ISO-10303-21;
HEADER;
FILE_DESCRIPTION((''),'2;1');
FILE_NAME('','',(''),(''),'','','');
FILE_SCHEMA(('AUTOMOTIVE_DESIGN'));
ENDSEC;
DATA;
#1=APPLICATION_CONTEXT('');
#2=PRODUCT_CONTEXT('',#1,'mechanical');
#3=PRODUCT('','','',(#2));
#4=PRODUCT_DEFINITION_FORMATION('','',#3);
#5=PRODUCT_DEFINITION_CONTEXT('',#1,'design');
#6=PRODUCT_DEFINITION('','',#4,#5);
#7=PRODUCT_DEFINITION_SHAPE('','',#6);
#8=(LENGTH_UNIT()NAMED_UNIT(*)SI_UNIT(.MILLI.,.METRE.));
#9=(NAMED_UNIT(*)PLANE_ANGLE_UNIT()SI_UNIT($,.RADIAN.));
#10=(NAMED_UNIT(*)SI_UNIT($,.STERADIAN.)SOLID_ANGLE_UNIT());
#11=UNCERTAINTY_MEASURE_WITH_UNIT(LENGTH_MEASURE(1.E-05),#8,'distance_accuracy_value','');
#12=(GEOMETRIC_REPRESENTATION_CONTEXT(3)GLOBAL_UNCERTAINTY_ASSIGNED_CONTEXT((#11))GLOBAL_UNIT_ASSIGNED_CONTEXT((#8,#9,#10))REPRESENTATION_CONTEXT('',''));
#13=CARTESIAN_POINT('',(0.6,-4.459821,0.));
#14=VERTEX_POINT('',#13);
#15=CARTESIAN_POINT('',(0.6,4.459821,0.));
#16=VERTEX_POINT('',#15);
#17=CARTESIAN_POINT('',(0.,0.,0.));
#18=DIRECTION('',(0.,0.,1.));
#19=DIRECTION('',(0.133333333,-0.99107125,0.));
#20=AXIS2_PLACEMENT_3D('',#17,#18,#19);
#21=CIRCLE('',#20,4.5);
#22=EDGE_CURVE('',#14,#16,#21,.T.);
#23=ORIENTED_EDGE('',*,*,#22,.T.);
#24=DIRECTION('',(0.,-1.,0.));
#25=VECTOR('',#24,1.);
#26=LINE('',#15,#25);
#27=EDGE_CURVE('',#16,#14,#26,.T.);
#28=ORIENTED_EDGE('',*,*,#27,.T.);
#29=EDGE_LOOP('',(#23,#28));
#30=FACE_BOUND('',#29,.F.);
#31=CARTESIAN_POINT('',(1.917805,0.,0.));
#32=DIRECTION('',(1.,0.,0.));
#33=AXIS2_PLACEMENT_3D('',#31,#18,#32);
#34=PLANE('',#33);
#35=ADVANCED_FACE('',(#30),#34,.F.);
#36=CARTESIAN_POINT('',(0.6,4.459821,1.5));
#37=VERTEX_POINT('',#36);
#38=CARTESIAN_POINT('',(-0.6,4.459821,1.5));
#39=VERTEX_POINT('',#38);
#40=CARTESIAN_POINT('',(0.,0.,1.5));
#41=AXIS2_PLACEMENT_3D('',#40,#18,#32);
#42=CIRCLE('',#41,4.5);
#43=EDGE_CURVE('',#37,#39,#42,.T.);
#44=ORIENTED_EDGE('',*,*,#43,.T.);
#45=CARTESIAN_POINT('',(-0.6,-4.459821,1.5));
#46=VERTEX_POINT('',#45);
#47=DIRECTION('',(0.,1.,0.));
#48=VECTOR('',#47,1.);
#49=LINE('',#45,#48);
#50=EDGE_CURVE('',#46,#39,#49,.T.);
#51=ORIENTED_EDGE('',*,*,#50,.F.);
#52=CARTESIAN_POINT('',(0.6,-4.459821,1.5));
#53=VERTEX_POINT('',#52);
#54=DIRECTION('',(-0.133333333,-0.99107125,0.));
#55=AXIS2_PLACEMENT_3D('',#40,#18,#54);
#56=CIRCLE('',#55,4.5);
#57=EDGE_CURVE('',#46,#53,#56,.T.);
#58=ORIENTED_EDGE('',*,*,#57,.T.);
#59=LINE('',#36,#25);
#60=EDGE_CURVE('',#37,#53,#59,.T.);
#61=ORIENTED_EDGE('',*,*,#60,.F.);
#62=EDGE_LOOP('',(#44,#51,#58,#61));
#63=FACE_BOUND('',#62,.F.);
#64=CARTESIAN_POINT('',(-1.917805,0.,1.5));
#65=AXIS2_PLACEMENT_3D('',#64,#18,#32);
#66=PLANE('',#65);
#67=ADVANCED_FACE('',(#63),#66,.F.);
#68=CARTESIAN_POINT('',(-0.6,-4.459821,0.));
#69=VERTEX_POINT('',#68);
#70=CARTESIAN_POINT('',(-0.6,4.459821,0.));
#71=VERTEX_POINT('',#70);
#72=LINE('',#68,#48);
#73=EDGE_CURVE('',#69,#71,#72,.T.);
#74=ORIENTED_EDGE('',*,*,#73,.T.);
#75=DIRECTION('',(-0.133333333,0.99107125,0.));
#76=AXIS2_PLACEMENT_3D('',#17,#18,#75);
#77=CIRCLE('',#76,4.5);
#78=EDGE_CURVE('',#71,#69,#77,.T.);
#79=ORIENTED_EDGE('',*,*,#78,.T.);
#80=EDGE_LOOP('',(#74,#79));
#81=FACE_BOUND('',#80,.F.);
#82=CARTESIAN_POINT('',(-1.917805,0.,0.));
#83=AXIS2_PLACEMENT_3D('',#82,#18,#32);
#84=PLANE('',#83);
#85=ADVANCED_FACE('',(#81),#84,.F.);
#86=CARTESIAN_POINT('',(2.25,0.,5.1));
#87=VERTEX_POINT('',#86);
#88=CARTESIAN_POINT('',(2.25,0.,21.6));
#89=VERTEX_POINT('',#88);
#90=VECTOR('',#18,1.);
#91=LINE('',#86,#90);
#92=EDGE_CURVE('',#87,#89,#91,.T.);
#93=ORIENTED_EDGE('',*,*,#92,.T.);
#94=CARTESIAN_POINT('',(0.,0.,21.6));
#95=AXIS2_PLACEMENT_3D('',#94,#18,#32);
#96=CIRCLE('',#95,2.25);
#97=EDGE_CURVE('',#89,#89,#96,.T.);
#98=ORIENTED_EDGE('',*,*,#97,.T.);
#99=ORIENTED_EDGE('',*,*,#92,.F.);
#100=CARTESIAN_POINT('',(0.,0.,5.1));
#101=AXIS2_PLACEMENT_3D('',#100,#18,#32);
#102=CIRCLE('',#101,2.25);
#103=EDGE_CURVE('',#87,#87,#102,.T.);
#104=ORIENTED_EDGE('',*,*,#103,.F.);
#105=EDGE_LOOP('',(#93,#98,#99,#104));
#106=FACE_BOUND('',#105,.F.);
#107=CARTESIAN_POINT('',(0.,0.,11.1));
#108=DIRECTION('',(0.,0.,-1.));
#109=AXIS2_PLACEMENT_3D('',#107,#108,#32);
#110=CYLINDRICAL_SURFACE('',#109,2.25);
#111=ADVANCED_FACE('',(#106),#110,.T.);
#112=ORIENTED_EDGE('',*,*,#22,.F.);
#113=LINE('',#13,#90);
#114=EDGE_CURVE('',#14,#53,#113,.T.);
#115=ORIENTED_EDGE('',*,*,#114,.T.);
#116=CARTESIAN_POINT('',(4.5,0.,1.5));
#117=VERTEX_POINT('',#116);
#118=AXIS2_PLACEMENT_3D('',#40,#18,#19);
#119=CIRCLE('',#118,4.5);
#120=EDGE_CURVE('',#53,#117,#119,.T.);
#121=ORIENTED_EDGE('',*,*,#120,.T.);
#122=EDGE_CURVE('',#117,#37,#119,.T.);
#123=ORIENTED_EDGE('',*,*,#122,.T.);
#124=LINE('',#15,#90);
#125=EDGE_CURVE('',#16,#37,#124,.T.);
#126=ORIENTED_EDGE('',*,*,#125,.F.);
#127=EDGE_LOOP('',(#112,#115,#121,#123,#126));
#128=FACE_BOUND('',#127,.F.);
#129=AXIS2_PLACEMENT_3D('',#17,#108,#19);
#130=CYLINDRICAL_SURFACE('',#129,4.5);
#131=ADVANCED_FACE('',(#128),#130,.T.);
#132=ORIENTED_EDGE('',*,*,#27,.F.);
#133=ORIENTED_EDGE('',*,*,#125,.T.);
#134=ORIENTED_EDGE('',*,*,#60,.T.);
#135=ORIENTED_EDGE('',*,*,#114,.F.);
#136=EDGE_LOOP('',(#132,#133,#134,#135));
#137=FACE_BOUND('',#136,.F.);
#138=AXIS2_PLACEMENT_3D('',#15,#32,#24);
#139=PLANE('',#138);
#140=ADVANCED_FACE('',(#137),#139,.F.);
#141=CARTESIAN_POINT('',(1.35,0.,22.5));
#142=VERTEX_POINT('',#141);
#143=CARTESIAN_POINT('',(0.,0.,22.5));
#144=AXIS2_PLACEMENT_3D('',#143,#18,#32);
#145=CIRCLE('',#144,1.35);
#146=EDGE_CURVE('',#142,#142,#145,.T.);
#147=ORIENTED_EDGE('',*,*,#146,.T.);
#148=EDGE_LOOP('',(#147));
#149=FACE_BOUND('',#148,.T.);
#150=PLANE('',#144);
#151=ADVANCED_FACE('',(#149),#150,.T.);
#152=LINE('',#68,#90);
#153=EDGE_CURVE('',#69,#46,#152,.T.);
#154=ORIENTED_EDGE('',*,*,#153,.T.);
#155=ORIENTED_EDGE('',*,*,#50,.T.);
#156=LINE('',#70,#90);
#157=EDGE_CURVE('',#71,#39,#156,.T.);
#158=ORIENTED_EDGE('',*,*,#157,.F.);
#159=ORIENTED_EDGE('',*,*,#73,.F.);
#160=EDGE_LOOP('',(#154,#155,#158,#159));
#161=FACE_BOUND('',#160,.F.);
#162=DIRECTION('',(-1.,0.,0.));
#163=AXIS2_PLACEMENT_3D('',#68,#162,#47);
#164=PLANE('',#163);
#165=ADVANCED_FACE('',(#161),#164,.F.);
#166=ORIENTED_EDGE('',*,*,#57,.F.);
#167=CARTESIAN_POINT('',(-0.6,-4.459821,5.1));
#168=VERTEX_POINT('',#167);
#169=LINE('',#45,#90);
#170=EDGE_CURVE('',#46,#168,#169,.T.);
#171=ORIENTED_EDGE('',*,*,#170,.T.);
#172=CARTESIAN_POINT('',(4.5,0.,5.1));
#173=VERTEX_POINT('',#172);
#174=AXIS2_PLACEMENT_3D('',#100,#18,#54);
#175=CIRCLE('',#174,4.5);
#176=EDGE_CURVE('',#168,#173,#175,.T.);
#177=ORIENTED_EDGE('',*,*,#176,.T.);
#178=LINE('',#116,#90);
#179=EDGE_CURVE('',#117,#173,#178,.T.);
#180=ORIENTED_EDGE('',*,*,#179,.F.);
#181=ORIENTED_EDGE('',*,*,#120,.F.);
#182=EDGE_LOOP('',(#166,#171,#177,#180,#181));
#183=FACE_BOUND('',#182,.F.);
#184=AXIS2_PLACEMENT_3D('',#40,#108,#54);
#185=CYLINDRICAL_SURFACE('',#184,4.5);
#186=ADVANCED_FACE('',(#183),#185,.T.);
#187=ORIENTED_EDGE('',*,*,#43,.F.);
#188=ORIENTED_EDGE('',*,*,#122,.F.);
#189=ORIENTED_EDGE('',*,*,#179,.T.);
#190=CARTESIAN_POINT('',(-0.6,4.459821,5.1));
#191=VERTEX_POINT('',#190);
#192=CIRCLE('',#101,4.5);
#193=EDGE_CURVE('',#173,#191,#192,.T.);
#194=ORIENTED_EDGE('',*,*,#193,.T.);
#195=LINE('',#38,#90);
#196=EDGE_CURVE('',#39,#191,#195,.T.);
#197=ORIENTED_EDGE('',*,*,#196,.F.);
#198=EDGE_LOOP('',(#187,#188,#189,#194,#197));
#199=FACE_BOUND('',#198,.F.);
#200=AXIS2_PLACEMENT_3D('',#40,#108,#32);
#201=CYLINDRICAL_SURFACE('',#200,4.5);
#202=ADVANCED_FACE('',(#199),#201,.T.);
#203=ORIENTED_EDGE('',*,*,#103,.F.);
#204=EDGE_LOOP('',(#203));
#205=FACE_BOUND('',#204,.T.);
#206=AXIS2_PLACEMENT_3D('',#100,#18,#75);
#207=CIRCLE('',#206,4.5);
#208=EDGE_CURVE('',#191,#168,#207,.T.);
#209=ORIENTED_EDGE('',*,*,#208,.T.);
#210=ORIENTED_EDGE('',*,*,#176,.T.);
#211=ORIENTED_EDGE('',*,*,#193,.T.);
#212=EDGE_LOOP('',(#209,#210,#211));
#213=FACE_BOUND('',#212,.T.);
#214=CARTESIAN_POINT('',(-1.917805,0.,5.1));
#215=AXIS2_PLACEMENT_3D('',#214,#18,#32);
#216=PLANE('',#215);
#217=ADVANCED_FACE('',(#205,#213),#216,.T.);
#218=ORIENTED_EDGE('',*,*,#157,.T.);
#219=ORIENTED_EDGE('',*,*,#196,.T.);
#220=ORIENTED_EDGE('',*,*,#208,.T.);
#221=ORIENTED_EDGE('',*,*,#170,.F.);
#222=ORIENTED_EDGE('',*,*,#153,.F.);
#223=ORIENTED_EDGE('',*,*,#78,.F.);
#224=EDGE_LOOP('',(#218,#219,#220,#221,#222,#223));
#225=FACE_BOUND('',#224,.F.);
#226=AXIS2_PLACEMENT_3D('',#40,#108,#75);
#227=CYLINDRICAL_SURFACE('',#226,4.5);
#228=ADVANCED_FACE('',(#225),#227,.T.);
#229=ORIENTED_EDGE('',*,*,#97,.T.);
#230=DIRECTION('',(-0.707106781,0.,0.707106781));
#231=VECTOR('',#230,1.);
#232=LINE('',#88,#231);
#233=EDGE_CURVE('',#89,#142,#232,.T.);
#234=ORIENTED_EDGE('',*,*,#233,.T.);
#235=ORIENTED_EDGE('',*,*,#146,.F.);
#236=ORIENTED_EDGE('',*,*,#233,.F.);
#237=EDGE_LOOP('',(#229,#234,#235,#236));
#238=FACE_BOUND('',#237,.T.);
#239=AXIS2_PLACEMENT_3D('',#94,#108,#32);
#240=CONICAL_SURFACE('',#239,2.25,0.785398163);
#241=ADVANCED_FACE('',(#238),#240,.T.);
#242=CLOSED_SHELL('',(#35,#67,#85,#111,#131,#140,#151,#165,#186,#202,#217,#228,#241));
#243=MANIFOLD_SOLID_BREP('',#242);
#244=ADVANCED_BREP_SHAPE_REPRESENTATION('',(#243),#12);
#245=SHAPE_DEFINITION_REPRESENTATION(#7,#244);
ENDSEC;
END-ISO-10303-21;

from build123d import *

# Parameters (mm, degrees)
F1_DEPTH = 0.5
F3_DEPTH = 1.2
F4_R     = 0.75
F5_DEPTH = 2
F6_R     = 0.75
F7_DEPTH = 3.8
F8_SIZE  = 0.3
F9_SCALE = 3


with BuildPart() as f1:
    # F0 (on Top) → F1 (new body)
    with BuildSketch(Plane.XY):
        with BuildLine():
            Line((-0.2, -1.4866068747), (-0.2, 1.4866068747))
            ThreePointArc((-0.2, 1.4866068747), (-1.5, 0), (-0.2, -1.4866068747))
        make_face()
    extrude(amount=F1_DEPTH)



with BuildPart() as f1b:
    # F0 (on Top) → F1, piece 2 (new body)
    with BuildSketch(Plane.XY):
        with BuildLine():
            ThreePointArc((0.2, -1.4866068747), (1.5, 0), (0.2, 1.4866068747))
            Line((0.2, 1.4866068747), (0.2, -1.4866068747))
        make_face()
    extrude(amount=F1_DEPTH)


with BuildPart() as f1_1:
    add(f1.part)

    add(f1b.part)  # F3 merges F1b
    # F2 (on face) → F3 (join)
    with BuildSketch(Plane.XY.offset(0.5)):
        with BuildLine():
            Line((-0.2, -1.4866068747), (-0.2, 1.4866068747))
            ThreePointArc((-0.2, 1.4866068747), (-1.5, 0), (-0.2, -1.4866068747))
        make_face()
        with BuildLine():
            ThreePointArc((-0.2, -1.4866068747), (0.9874208829, -1.1291589791), (1.5, 0))
            ThreePointArc((1.5, 0), (0.9874208829, 1.1291589791), (-0.2, 1.4866068747))
            Line((-0.2, 1.4866068747), (-0.2, -1.4866068747))
        make_face()
    extrude(amount=F3_DEPTH)

    # F4 (on face) → F5 (join)
    with BuildSketch(Plane.XY.offset(1.7)):
        Circle(F4_R)
    extrude(amount=F5_DEPTH)

    # F6 (on face) → F7 (join)
    with BuildSketch(Plane.XY.offset(3.7)):
        Circle(F6_R)
    extrude(amount=F7_DEPTH)

    # F8
    f8_edges = [f1_1.edges().sort_by_distance(p)[0] for p in [
        (-0.75, 0, 7.5),
    ]]
    chamfer(f8_edges, length=F8_SIZE)


with BuildPart() as f1_2:
    # F9: moved
    add(f1_1.part.scale(F9_SCALE))


solid = f1_2.part
